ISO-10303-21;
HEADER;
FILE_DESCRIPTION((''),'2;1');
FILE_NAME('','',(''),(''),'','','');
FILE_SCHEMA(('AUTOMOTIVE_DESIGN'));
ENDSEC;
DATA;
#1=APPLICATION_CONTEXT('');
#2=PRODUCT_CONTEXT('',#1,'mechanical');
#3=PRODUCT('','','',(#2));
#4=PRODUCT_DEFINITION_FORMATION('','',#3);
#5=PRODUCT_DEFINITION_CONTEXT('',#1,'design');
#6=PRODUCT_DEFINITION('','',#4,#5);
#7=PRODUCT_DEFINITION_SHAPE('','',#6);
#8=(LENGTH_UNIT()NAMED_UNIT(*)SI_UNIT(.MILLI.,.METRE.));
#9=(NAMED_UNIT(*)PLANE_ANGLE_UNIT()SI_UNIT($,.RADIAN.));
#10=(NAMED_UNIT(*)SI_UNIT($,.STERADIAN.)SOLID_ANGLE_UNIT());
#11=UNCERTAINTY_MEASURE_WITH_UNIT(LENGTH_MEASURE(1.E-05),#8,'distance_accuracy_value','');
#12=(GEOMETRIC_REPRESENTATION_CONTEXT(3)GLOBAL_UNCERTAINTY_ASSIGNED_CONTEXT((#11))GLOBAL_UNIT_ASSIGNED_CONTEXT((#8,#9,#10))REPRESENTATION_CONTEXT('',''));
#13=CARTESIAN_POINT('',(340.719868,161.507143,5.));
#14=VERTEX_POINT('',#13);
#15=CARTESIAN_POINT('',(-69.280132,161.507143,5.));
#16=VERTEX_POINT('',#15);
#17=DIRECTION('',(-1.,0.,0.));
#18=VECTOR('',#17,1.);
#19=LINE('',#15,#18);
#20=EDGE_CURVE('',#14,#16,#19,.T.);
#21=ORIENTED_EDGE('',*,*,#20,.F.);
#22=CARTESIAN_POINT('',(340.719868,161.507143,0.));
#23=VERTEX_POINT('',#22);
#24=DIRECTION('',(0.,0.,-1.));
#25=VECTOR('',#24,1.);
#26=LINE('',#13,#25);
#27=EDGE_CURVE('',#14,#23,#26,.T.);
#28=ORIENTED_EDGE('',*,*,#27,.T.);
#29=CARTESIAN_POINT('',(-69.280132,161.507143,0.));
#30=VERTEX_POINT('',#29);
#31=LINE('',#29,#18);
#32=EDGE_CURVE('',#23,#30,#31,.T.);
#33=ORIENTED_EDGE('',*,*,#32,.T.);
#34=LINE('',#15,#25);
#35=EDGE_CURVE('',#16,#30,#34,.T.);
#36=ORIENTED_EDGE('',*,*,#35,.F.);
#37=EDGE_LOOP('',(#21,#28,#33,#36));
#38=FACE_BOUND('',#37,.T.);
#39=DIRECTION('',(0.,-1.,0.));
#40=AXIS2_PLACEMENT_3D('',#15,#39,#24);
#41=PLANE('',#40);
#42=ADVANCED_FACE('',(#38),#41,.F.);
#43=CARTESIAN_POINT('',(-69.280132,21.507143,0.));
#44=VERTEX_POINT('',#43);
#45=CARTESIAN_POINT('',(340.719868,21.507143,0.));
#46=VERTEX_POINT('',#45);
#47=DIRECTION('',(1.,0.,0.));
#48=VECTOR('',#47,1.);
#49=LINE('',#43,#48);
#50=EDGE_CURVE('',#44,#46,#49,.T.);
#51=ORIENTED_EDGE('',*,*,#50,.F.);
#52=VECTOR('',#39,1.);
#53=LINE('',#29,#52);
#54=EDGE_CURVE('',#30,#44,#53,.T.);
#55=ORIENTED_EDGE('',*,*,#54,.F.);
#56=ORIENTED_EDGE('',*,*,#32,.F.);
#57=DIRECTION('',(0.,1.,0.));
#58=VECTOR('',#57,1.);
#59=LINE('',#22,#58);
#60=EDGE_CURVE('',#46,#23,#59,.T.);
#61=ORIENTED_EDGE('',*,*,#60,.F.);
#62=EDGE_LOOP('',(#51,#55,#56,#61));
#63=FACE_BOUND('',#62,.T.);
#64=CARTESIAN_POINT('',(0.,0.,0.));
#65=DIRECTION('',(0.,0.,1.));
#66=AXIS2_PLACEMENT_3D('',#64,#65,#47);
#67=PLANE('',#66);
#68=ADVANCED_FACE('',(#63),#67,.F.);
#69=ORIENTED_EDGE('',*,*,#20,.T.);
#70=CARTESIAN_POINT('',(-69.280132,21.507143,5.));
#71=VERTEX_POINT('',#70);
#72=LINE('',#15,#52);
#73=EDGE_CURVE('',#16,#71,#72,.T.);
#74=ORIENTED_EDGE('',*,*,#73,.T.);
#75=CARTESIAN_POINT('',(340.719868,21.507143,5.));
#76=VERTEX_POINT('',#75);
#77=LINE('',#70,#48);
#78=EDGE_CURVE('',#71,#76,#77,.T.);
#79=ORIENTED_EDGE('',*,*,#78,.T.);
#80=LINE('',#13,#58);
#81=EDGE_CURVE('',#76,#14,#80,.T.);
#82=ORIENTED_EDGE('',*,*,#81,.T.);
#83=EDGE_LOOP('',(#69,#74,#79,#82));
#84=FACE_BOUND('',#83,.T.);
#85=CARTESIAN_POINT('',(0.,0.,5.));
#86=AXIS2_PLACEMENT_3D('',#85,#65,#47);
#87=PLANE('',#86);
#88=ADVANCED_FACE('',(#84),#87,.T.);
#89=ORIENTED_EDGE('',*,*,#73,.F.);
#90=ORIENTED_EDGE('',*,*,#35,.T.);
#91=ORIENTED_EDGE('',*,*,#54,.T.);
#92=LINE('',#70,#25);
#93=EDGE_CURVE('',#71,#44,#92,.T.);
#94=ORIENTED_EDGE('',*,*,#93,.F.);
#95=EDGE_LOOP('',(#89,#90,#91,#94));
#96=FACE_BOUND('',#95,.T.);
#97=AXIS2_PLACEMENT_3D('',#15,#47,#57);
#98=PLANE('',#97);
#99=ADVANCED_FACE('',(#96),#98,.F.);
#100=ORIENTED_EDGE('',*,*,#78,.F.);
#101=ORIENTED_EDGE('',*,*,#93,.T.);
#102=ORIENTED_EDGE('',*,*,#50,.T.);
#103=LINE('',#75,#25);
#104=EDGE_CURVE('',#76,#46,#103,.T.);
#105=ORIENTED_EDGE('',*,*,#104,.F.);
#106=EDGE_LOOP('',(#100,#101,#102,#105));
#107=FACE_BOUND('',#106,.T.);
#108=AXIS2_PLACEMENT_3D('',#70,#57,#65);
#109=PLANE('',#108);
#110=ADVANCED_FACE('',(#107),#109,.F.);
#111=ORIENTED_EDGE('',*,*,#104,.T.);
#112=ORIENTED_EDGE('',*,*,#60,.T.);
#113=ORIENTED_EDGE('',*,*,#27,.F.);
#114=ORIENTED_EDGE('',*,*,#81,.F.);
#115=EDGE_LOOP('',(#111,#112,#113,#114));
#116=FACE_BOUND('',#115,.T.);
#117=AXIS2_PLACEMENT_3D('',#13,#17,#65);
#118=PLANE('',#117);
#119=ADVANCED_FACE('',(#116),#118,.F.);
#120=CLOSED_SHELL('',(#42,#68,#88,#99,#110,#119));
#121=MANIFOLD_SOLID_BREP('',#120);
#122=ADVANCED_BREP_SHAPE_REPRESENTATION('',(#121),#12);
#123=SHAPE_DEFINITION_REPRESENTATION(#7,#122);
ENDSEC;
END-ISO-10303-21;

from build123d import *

# Parameters (mm, degrees)
SKETCH_1_W      = 410
SKETCH_1_H      = 140
EXTRUDE_1_DEPTH = 5


with BuildPart() as part:
    # ｽｹｯﾁ1 → ﾎﾞｽ - 押し出し1 (new body)
    with BuildSketch(Plane.XY):
        with Locations((135.719868277, 91.507142857)):
            Rectangle(SKETCH_1_W, SKETCH_1_H)
    extrude(amount=EXTRUDE_1_DEPTH)


solid = part.part
